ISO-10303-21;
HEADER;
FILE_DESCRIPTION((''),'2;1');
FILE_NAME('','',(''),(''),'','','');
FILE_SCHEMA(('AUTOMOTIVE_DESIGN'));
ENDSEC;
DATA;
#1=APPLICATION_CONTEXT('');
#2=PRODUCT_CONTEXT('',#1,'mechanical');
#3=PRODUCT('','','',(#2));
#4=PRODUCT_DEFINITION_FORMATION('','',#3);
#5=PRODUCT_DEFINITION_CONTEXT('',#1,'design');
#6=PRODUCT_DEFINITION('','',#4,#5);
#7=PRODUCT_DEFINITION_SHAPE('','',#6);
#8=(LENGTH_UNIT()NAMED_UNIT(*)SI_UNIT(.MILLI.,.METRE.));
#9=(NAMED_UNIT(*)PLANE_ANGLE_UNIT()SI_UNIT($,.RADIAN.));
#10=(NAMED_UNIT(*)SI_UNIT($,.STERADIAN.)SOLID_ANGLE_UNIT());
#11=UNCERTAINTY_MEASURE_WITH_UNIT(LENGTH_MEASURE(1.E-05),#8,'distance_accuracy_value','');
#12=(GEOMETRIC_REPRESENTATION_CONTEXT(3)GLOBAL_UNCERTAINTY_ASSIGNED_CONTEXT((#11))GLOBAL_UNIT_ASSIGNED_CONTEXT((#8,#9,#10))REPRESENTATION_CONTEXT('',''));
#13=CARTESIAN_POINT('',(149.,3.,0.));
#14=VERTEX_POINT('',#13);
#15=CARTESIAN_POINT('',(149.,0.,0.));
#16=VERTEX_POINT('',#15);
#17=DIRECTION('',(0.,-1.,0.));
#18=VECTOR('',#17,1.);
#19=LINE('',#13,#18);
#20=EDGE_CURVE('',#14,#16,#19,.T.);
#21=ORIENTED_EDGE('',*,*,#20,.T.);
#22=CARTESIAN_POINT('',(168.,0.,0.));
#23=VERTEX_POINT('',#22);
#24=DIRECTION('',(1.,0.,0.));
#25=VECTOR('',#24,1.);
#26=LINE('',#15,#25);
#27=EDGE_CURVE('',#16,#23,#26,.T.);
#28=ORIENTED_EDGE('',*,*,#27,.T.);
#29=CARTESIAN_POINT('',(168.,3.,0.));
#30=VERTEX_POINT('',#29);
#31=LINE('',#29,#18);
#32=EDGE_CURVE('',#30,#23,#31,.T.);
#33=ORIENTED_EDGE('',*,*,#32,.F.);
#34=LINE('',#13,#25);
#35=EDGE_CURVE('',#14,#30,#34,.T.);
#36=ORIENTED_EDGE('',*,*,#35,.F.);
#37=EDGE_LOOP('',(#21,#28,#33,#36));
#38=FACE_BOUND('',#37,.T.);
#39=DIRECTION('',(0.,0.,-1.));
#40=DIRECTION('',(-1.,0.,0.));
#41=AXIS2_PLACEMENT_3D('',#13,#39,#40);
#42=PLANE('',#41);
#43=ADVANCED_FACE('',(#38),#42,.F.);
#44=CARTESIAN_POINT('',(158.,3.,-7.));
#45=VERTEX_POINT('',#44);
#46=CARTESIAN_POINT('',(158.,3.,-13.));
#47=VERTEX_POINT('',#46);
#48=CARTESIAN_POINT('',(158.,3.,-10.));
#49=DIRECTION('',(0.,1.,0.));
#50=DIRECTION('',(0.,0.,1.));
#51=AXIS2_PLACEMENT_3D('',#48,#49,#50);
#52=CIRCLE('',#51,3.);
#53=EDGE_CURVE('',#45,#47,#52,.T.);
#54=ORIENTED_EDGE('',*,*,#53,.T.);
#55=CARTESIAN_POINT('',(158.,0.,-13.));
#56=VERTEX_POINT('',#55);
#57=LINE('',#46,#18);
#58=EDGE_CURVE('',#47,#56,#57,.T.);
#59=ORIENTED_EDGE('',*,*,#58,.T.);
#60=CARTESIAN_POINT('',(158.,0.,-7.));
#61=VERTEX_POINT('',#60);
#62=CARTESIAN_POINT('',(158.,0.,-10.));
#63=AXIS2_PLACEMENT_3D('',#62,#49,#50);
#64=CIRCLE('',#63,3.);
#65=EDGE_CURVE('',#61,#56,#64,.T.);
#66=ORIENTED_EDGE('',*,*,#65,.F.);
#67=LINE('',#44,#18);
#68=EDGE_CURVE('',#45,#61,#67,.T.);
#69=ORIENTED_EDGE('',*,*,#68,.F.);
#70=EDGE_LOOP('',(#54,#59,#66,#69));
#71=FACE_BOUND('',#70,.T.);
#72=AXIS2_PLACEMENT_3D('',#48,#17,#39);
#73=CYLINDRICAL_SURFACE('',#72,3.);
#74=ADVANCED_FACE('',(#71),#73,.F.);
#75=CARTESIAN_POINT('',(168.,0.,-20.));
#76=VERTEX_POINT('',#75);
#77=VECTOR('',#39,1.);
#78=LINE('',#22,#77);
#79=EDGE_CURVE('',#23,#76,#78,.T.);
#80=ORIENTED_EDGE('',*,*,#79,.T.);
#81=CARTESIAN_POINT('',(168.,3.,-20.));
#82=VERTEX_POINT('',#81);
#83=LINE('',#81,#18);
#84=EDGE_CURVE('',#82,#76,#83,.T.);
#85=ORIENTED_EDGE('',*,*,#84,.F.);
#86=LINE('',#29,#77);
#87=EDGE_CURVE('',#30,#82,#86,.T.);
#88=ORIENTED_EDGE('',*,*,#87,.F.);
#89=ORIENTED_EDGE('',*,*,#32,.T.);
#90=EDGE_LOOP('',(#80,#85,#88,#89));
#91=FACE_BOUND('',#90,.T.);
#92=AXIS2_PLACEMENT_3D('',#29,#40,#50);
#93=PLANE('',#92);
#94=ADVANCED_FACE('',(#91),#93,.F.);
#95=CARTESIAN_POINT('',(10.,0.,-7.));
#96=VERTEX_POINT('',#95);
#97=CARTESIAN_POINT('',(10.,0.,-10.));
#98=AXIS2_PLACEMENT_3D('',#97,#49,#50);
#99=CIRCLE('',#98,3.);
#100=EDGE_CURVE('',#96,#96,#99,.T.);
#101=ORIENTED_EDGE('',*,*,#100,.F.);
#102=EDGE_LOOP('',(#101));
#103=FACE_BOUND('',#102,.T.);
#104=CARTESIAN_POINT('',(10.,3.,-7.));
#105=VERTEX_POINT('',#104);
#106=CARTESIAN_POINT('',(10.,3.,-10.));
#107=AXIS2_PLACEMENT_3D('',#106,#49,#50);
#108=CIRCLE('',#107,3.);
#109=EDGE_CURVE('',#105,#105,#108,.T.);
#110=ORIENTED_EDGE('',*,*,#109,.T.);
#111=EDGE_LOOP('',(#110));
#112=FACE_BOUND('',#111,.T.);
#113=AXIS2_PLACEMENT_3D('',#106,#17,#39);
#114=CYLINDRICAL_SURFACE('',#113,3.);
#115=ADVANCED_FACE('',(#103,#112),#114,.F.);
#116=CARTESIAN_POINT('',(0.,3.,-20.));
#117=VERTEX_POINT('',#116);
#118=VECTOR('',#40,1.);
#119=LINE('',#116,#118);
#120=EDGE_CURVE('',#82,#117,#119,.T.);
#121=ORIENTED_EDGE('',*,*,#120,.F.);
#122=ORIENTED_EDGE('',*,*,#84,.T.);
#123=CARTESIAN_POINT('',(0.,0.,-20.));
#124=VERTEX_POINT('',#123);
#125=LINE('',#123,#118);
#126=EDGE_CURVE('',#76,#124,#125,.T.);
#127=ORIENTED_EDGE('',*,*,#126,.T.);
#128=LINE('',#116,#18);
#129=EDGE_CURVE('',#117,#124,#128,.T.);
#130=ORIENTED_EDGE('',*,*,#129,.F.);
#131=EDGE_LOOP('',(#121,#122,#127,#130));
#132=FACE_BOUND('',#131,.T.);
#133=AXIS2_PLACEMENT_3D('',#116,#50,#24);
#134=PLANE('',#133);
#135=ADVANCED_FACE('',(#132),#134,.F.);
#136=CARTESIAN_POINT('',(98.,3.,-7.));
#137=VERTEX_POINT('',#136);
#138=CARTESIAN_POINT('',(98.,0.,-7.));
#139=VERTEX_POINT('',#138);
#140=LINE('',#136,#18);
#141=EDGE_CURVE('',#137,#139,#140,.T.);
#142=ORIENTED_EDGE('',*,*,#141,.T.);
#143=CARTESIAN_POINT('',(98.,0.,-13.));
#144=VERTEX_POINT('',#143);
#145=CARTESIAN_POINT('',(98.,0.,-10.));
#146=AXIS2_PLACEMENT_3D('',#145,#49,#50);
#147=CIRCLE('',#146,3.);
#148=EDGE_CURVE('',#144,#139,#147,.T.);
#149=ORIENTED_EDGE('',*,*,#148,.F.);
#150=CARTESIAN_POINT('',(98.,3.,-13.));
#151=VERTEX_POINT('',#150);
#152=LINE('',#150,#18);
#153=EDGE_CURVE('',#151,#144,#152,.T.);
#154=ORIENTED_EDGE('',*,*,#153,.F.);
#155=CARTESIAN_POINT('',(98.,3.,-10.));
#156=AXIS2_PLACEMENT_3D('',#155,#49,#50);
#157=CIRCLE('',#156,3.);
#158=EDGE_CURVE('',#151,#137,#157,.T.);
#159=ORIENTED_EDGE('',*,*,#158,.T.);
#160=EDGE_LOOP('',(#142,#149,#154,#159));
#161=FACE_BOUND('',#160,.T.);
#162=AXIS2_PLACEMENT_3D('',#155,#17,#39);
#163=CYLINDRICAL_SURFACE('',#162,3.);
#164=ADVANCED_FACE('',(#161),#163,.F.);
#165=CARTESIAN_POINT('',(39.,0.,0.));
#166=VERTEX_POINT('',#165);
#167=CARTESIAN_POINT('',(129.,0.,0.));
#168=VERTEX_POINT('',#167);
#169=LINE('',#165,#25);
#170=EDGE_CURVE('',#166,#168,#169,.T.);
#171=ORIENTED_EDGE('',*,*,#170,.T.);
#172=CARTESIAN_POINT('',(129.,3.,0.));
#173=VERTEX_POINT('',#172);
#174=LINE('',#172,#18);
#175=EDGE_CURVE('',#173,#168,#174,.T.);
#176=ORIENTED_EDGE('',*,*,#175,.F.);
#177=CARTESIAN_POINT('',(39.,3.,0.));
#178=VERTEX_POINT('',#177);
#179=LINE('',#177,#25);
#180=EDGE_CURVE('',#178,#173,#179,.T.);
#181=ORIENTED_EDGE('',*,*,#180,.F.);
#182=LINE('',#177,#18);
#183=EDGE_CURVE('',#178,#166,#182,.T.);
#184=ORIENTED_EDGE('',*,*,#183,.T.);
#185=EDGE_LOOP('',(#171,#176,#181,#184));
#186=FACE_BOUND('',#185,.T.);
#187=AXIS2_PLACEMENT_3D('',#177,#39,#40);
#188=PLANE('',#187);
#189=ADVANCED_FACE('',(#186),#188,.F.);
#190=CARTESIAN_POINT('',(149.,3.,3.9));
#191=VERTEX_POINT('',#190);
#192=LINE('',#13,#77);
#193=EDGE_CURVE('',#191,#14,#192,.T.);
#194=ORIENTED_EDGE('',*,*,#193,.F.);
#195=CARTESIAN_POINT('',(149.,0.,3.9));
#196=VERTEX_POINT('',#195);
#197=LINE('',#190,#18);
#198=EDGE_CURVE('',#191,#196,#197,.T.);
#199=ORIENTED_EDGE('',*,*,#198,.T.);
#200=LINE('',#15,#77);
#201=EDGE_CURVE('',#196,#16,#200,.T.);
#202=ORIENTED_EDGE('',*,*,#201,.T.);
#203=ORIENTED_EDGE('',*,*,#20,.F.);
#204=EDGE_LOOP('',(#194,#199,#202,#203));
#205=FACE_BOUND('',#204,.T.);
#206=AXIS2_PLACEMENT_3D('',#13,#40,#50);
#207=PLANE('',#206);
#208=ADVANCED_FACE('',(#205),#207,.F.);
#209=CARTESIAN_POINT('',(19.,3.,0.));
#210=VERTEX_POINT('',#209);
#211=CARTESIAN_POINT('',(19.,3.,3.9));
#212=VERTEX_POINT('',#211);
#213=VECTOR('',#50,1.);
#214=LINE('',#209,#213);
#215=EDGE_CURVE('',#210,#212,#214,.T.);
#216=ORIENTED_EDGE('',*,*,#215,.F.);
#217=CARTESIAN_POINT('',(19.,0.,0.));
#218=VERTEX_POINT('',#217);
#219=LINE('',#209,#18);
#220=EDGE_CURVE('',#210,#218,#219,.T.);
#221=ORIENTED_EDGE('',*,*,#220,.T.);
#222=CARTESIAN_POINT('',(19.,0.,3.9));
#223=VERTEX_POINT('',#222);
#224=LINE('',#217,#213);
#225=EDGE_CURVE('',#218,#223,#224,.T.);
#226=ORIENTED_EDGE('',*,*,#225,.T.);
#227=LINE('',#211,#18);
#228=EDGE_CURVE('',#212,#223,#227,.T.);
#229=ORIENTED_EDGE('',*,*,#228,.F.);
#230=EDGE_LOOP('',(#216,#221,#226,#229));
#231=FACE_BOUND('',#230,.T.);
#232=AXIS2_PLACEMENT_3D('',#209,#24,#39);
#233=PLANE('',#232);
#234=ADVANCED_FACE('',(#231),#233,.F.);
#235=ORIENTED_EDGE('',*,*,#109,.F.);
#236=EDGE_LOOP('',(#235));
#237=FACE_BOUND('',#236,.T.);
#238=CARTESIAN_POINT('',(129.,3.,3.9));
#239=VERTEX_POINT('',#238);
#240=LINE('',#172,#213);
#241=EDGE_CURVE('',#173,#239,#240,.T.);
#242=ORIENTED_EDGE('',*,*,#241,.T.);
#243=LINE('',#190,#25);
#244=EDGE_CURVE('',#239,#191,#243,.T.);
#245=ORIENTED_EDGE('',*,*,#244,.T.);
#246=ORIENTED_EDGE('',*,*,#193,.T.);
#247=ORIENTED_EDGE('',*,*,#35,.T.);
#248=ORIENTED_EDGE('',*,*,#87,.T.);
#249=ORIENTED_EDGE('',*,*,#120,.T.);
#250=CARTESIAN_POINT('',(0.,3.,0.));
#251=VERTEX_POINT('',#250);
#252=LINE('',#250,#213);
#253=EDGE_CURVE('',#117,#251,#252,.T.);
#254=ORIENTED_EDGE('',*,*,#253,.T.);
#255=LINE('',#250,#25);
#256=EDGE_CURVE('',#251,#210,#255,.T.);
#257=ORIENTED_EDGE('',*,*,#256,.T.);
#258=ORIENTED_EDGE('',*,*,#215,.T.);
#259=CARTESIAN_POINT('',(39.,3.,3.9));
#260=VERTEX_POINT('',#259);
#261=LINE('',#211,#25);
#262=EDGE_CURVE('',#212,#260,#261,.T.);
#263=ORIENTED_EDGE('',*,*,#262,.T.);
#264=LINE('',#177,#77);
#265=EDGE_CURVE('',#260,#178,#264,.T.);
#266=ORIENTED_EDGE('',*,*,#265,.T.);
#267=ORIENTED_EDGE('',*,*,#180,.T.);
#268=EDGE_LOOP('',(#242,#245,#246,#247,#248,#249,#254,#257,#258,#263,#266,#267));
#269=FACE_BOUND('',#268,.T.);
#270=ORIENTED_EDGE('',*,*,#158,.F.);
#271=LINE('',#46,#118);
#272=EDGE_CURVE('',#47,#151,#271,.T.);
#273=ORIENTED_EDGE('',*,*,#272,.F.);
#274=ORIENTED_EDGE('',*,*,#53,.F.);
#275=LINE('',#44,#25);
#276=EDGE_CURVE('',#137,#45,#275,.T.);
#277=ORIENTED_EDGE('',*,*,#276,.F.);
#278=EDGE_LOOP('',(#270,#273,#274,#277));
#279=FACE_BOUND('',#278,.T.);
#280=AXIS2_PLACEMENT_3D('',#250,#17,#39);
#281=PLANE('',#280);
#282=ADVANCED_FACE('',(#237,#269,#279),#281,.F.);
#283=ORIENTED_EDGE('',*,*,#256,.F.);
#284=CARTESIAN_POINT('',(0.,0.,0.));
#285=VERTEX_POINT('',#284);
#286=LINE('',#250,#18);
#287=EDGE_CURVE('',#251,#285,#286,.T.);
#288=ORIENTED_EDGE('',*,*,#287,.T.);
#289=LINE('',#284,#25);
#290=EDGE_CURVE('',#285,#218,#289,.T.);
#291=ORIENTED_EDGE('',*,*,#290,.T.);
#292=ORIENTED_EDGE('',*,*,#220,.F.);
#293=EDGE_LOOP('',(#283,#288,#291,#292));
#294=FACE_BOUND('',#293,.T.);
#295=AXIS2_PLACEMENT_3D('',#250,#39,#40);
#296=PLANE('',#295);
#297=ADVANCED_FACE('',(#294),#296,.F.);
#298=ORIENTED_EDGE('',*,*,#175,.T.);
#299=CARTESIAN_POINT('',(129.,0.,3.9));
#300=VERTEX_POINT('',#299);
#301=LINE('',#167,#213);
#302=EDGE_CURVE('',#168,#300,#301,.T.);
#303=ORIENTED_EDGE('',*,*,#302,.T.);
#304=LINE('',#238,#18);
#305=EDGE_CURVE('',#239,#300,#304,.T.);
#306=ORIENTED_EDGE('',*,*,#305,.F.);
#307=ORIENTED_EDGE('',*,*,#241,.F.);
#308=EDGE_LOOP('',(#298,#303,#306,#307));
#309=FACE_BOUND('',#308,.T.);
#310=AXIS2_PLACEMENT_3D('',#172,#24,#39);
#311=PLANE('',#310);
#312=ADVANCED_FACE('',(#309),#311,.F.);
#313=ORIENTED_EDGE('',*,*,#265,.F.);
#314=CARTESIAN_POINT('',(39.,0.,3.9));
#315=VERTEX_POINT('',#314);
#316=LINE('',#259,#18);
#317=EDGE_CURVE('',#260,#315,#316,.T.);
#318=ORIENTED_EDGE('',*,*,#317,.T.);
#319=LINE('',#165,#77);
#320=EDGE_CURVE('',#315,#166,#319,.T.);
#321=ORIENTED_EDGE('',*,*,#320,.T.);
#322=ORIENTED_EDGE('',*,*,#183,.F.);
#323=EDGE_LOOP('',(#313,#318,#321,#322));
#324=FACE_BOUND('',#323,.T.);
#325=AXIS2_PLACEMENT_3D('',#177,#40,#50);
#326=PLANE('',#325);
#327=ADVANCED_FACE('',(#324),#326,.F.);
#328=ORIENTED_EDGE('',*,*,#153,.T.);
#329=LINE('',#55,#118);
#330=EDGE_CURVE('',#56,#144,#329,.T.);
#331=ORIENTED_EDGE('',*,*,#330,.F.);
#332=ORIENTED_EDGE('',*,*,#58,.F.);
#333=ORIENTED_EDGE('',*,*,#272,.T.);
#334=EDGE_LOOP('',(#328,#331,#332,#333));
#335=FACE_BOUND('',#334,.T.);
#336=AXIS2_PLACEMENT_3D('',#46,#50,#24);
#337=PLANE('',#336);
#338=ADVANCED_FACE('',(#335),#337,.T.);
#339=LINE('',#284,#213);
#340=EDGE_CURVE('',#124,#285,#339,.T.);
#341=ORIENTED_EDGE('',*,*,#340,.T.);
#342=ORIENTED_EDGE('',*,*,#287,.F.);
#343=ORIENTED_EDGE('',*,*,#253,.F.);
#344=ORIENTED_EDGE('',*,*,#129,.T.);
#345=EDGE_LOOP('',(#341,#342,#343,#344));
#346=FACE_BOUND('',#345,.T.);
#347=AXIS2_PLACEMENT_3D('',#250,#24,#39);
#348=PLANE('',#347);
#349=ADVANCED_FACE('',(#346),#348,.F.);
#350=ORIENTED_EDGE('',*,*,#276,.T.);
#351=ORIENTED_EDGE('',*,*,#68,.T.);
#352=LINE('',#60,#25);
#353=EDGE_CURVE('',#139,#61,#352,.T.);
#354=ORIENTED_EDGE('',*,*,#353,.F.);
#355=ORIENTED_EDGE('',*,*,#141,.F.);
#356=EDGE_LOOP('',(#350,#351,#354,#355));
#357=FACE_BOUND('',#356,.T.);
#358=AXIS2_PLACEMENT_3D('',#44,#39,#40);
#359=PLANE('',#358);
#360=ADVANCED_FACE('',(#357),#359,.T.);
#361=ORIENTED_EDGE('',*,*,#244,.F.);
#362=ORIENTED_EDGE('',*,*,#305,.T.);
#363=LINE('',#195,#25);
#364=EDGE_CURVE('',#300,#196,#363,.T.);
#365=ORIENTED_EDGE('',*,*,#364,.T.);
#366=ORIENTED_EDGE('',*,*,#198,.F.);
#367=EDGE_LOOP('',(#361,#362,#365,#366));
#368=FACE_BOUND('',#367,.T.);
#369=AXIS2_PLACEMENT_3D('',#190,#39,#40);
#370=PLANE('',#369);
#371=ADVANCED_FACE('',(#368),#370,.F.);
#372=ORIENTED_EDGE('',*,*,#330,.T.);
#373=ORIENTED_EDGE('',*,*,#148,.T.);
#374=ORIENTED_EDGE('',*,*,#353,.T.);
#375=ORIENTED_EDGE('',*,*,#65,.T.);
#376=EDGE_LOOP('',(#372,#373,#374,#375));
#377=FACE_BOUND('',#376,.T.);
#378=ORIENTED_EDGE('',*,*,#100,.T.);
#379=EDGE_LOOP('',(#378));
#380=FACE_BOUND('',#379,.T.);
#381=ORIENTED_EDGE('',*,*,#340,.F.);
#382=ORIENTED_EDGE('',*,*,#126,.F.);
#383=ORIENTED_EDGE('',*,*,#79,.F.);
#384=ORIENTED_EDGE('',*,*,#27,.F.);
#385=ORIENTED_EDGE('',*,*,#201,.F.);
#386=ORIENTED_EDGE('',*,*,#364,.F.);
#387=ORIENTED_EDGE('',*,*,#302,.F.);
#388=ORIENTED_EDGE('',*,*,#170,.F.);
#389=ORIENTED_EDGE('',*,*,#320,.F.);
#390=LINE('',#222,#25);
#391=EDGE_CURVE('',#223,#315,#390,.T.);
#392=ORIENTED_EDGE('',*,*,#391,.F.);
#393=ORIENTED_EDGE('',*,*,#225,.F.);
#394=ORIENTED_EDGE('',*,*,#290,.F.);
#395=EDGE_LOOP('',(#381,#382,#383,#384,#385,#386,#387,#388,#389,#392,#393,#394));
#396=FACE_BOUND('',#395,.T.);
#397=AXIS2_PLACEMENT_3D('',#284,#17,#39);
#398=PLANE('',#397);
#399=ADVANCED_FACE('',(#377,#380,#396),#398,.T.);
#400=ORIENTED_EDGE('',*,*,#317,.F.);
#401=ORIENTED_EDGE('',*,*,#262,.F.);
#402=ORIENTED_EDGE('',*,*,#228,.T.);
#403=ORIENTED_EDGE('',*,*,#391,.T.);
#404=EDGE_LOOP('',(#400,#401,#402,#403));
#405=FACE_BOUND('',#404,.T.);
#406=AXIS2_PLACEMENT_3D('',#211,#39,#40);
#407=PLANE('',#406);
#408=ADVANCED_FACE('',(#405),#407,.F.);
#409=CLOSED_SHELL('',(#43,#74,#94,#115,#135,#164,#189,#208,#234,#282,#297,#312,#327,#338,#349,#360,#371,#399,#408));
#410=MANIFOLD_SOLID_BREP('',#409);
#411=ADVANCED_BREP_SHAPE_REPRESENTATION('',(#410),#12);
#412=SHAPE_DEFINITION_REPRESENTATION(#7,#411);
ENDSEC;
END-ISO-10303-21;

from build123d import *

# Parameters (mm, degrees)
SKETCH1_R           = 3
BOSS_EXTRUDE1_DEPTH = 3


with BuildPart() as part:
    # Sketch1 → Boss-Extrude1 (new body)
    with BuildSketch(Plane(origin=(0, 0, 0), x_dir=(1, 0, 0), z_dir=(0, 1, 0))):
        Polygon((0, 0), (19, 0), (19, -3.9), (39, -3.9), (39, 0), (129, 0), (129, -3.9), (149, -3.9), (149, 0), (168, 0), (168, 20), (0, 20), align=None)
        with Locations((10, 10)):
            Circle(SKETCH1_R, mode=Mode.SUBTRACT)
        with BuildLine():
            Line((158, 7), (98, 7))
            ThreePointArc((98, 7), (95, 10), (98, 13))
            Line((98, 13), (158, 13))
            ThreePointArc((158, 13), (161, 10), (158, 7))
        make_face(mode=Mode.SUBTRACT)
    extrude(amount=BOSS_EXTRUDE1_DEPTH)


solid = part.part
